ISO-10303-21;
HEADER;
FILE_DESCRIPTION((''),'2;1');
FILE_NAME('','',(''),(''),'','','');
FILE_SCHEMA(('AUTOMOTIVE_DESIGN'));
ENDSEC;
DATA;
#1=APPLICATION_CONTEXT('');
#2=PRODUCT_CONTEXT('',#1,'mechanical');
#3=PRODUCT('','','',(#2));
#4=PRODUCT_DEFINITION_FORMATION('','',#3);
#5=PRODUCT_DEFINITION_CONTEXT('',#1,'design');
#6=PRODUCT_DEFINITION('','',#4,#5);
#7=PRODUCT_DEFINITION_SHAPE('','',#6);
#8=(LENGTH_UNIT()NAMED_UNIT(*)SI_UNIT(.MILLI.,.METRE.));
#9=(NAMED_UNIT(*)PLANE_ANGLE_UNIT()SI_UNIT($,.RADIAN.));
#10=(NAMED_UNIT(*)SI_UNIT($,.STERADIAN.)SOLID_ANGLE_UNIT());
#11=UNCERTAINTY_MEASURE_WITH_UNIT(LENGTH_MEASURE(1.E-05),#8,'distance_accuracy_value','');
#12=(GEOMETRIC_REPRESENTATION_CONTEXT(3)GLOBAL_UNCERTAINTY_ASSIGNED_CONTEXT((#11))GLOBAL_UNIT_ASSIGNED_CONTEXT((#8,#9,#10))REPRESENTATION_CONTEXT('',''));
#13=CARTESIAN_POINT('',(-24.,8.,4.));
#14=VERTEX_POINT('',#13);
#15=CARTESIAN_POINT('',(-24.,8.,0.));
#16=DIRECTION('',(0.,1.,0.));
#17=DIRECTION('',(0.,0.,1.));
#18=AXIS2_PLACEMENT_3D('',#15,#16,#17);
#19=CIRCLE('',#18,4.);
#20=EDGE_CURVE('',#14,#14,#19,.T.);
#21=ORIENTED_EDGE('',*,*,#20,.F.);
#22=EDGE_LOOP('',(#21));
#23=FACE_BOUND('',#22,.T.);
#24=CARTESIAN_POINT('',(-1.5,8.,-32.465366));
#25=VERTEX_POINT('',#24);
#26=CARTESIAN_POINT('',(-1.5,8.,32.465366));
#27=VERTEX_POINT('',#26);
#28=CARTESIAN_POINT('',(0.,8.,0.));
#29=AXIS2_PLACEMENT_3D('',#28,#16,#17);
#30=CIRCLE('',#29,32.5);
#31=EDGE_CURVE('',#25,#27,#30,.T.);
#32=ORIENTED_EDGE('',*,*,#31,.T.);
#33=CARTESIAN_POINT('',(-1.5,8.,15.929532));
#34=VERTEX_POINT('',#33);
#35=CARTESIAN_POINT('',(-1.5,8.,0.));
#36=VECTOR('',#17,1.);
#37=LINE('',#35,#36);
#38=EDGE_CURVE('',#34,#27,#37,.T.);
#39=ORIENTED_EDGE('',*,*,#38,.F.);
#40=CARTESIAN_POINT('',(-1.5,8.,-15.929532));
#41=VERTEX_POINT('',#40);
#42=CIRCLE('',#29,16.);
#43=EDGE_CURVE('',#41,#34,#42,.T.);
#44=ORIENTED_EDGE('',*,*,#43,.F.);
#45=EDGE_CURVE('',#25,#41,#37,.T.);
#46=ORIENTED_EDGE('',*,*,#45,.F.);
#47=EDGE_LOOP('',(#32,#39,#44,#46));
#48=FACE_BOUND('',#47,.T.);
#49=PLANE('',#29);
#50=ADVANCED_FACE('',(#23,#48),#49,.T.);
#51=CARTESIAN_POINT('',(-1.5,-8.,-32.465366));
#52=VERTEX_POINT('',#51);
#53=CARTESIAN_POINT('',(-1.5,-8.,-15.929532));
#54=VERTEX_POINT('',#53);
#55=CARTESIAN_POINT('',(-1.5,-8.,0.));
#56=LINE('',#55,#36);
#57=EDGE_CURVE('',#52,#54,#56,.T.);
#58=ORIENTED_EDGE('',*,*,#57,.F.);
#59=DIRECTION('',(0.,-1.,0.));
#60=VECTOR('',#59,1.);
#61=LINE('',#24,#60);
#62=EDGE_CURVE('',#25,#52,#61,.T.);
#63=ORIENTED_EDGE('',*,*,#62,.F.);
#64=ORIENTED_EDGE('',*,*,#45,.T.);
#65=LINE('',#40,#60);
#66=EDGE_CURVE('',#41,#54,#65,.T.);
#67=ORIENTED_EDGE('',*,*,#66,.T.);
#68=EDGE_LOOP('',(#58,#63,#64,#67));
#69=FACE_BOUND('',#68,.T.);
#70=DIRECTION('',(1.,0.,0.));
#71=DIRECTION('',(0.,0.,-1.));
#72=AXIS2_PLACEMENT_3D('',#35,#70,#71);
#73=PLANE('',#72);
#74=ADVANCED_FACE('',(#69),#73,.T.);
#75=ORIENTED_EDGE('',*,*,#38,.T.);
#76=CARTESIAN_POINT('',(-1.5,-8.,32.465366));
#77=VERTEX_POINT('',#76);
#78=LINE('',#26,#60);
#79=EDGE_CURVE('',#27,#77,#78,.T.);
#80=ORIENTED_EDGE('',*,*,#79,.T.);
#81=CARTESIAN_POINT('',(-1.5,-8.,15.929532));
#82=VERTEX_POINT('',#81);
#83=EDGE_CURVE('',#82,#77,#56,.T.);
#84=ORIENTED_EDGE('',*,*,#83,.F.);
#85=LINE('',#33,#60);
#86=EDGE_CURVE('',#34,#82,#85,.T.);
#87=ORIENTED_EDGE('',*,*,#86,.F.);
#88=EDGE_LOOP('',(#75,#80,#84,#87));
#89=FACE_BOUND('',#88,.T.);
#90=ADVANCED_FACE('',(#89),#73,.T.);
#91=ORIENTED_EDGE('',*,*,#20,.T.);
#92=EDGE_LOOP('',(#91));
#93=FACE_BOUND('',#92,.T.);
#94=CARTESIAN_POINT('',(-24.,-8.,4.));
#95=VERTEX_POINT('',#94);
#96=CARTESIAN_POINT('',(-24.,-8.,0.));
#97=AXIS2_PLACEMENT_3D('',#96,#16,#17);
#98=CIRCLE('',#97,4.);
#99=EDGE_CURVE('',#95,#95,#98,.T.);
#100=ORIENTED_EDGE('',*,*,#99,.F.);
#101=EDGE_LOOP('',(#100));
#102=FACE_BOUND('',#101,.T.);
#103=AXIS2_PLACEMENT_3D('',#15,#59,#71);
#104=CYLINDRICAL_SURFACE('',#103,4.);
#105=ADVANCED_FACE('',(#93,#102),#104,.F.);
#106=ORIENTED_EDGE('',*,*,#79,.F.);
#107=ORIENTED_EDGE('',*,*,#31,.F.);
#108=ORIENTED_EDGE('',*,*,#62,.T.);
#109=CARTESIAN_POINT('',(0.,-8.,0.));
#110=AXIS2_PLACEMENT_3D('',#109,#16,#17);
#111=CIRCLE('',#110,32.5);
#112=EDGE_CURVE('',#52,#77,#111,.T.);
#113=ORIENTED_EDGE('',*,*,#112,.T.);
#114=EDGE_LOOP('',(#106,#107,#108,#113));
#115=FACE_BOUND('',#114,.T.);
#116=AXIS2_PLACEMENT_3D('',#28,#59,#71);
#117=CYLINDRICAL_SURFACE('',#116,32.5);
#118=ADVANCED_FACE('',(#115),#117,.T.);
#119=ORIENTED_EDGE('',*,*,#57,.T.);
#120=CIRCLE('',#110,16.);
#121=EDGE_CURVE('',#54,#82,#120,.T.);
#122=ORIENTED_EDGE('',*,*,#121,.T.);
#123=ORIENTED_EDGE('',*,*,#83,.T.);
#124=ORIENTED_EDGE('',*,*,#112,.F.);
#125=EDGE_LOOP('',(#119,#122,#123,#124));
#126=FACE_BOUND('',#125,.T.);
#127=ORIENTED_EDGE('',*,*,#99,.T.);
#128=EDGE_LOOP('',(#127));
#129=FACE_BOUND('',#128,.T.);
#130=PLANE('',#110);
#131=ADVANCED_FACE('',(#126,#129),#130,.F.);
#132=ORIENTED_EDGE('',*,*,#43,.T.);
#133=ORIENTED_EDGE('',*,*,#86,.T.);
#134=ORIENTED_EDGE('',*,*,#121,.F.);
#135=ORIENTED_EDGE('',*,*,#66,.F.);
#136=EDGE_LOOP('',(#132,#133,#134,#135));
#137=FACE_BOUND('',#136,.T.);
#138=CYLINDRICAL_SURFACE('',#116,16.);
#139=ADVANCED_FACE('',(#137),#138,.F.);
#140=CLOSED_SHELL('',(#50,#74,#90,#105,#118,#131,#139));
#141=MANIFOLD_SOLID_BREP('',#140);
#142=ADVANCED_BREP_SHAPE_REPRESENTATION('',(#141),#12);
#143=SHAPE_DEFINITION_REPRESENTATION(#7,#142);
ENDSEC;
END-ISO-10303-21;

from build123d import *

# Parameters (mm, degrees)
SKETCH2_R           = 4
BOSS_EXTRUDE2_DEPTH = 8


with BuildPart() as part:
    # Sketch2 → Boss-Extrude2 (new, symmetric)
    with BuildSketch(Plane(origin=(0, 0, 0), x_dir=(1, 0, 0), z_dir=(0, 1, 0))):
        with BuildLine():
            Line((-1.5, 15.929532322), (-1.5, 32.465366161))
            ThreePointArc((-1.5, 32.465366161), (-32.5, 0), (-1.5, -32.465366161))
            Line((-1.5, -32.465366161), (-1.5, -15.929532322))
            ThreePointArc((-1.5, -15.929532322), (-16, 0), (-1.5, 15.929532322))
        make_face()
        with Locations(Location((-24, 0, 0), (0, 0, 270))):
            Circle(SKETCH2_R, mode=Mode.SUBTRACT)
    extrude(amount=BOSS_EXTRUDE2_DEPTH, both=True)


solid = part.part
